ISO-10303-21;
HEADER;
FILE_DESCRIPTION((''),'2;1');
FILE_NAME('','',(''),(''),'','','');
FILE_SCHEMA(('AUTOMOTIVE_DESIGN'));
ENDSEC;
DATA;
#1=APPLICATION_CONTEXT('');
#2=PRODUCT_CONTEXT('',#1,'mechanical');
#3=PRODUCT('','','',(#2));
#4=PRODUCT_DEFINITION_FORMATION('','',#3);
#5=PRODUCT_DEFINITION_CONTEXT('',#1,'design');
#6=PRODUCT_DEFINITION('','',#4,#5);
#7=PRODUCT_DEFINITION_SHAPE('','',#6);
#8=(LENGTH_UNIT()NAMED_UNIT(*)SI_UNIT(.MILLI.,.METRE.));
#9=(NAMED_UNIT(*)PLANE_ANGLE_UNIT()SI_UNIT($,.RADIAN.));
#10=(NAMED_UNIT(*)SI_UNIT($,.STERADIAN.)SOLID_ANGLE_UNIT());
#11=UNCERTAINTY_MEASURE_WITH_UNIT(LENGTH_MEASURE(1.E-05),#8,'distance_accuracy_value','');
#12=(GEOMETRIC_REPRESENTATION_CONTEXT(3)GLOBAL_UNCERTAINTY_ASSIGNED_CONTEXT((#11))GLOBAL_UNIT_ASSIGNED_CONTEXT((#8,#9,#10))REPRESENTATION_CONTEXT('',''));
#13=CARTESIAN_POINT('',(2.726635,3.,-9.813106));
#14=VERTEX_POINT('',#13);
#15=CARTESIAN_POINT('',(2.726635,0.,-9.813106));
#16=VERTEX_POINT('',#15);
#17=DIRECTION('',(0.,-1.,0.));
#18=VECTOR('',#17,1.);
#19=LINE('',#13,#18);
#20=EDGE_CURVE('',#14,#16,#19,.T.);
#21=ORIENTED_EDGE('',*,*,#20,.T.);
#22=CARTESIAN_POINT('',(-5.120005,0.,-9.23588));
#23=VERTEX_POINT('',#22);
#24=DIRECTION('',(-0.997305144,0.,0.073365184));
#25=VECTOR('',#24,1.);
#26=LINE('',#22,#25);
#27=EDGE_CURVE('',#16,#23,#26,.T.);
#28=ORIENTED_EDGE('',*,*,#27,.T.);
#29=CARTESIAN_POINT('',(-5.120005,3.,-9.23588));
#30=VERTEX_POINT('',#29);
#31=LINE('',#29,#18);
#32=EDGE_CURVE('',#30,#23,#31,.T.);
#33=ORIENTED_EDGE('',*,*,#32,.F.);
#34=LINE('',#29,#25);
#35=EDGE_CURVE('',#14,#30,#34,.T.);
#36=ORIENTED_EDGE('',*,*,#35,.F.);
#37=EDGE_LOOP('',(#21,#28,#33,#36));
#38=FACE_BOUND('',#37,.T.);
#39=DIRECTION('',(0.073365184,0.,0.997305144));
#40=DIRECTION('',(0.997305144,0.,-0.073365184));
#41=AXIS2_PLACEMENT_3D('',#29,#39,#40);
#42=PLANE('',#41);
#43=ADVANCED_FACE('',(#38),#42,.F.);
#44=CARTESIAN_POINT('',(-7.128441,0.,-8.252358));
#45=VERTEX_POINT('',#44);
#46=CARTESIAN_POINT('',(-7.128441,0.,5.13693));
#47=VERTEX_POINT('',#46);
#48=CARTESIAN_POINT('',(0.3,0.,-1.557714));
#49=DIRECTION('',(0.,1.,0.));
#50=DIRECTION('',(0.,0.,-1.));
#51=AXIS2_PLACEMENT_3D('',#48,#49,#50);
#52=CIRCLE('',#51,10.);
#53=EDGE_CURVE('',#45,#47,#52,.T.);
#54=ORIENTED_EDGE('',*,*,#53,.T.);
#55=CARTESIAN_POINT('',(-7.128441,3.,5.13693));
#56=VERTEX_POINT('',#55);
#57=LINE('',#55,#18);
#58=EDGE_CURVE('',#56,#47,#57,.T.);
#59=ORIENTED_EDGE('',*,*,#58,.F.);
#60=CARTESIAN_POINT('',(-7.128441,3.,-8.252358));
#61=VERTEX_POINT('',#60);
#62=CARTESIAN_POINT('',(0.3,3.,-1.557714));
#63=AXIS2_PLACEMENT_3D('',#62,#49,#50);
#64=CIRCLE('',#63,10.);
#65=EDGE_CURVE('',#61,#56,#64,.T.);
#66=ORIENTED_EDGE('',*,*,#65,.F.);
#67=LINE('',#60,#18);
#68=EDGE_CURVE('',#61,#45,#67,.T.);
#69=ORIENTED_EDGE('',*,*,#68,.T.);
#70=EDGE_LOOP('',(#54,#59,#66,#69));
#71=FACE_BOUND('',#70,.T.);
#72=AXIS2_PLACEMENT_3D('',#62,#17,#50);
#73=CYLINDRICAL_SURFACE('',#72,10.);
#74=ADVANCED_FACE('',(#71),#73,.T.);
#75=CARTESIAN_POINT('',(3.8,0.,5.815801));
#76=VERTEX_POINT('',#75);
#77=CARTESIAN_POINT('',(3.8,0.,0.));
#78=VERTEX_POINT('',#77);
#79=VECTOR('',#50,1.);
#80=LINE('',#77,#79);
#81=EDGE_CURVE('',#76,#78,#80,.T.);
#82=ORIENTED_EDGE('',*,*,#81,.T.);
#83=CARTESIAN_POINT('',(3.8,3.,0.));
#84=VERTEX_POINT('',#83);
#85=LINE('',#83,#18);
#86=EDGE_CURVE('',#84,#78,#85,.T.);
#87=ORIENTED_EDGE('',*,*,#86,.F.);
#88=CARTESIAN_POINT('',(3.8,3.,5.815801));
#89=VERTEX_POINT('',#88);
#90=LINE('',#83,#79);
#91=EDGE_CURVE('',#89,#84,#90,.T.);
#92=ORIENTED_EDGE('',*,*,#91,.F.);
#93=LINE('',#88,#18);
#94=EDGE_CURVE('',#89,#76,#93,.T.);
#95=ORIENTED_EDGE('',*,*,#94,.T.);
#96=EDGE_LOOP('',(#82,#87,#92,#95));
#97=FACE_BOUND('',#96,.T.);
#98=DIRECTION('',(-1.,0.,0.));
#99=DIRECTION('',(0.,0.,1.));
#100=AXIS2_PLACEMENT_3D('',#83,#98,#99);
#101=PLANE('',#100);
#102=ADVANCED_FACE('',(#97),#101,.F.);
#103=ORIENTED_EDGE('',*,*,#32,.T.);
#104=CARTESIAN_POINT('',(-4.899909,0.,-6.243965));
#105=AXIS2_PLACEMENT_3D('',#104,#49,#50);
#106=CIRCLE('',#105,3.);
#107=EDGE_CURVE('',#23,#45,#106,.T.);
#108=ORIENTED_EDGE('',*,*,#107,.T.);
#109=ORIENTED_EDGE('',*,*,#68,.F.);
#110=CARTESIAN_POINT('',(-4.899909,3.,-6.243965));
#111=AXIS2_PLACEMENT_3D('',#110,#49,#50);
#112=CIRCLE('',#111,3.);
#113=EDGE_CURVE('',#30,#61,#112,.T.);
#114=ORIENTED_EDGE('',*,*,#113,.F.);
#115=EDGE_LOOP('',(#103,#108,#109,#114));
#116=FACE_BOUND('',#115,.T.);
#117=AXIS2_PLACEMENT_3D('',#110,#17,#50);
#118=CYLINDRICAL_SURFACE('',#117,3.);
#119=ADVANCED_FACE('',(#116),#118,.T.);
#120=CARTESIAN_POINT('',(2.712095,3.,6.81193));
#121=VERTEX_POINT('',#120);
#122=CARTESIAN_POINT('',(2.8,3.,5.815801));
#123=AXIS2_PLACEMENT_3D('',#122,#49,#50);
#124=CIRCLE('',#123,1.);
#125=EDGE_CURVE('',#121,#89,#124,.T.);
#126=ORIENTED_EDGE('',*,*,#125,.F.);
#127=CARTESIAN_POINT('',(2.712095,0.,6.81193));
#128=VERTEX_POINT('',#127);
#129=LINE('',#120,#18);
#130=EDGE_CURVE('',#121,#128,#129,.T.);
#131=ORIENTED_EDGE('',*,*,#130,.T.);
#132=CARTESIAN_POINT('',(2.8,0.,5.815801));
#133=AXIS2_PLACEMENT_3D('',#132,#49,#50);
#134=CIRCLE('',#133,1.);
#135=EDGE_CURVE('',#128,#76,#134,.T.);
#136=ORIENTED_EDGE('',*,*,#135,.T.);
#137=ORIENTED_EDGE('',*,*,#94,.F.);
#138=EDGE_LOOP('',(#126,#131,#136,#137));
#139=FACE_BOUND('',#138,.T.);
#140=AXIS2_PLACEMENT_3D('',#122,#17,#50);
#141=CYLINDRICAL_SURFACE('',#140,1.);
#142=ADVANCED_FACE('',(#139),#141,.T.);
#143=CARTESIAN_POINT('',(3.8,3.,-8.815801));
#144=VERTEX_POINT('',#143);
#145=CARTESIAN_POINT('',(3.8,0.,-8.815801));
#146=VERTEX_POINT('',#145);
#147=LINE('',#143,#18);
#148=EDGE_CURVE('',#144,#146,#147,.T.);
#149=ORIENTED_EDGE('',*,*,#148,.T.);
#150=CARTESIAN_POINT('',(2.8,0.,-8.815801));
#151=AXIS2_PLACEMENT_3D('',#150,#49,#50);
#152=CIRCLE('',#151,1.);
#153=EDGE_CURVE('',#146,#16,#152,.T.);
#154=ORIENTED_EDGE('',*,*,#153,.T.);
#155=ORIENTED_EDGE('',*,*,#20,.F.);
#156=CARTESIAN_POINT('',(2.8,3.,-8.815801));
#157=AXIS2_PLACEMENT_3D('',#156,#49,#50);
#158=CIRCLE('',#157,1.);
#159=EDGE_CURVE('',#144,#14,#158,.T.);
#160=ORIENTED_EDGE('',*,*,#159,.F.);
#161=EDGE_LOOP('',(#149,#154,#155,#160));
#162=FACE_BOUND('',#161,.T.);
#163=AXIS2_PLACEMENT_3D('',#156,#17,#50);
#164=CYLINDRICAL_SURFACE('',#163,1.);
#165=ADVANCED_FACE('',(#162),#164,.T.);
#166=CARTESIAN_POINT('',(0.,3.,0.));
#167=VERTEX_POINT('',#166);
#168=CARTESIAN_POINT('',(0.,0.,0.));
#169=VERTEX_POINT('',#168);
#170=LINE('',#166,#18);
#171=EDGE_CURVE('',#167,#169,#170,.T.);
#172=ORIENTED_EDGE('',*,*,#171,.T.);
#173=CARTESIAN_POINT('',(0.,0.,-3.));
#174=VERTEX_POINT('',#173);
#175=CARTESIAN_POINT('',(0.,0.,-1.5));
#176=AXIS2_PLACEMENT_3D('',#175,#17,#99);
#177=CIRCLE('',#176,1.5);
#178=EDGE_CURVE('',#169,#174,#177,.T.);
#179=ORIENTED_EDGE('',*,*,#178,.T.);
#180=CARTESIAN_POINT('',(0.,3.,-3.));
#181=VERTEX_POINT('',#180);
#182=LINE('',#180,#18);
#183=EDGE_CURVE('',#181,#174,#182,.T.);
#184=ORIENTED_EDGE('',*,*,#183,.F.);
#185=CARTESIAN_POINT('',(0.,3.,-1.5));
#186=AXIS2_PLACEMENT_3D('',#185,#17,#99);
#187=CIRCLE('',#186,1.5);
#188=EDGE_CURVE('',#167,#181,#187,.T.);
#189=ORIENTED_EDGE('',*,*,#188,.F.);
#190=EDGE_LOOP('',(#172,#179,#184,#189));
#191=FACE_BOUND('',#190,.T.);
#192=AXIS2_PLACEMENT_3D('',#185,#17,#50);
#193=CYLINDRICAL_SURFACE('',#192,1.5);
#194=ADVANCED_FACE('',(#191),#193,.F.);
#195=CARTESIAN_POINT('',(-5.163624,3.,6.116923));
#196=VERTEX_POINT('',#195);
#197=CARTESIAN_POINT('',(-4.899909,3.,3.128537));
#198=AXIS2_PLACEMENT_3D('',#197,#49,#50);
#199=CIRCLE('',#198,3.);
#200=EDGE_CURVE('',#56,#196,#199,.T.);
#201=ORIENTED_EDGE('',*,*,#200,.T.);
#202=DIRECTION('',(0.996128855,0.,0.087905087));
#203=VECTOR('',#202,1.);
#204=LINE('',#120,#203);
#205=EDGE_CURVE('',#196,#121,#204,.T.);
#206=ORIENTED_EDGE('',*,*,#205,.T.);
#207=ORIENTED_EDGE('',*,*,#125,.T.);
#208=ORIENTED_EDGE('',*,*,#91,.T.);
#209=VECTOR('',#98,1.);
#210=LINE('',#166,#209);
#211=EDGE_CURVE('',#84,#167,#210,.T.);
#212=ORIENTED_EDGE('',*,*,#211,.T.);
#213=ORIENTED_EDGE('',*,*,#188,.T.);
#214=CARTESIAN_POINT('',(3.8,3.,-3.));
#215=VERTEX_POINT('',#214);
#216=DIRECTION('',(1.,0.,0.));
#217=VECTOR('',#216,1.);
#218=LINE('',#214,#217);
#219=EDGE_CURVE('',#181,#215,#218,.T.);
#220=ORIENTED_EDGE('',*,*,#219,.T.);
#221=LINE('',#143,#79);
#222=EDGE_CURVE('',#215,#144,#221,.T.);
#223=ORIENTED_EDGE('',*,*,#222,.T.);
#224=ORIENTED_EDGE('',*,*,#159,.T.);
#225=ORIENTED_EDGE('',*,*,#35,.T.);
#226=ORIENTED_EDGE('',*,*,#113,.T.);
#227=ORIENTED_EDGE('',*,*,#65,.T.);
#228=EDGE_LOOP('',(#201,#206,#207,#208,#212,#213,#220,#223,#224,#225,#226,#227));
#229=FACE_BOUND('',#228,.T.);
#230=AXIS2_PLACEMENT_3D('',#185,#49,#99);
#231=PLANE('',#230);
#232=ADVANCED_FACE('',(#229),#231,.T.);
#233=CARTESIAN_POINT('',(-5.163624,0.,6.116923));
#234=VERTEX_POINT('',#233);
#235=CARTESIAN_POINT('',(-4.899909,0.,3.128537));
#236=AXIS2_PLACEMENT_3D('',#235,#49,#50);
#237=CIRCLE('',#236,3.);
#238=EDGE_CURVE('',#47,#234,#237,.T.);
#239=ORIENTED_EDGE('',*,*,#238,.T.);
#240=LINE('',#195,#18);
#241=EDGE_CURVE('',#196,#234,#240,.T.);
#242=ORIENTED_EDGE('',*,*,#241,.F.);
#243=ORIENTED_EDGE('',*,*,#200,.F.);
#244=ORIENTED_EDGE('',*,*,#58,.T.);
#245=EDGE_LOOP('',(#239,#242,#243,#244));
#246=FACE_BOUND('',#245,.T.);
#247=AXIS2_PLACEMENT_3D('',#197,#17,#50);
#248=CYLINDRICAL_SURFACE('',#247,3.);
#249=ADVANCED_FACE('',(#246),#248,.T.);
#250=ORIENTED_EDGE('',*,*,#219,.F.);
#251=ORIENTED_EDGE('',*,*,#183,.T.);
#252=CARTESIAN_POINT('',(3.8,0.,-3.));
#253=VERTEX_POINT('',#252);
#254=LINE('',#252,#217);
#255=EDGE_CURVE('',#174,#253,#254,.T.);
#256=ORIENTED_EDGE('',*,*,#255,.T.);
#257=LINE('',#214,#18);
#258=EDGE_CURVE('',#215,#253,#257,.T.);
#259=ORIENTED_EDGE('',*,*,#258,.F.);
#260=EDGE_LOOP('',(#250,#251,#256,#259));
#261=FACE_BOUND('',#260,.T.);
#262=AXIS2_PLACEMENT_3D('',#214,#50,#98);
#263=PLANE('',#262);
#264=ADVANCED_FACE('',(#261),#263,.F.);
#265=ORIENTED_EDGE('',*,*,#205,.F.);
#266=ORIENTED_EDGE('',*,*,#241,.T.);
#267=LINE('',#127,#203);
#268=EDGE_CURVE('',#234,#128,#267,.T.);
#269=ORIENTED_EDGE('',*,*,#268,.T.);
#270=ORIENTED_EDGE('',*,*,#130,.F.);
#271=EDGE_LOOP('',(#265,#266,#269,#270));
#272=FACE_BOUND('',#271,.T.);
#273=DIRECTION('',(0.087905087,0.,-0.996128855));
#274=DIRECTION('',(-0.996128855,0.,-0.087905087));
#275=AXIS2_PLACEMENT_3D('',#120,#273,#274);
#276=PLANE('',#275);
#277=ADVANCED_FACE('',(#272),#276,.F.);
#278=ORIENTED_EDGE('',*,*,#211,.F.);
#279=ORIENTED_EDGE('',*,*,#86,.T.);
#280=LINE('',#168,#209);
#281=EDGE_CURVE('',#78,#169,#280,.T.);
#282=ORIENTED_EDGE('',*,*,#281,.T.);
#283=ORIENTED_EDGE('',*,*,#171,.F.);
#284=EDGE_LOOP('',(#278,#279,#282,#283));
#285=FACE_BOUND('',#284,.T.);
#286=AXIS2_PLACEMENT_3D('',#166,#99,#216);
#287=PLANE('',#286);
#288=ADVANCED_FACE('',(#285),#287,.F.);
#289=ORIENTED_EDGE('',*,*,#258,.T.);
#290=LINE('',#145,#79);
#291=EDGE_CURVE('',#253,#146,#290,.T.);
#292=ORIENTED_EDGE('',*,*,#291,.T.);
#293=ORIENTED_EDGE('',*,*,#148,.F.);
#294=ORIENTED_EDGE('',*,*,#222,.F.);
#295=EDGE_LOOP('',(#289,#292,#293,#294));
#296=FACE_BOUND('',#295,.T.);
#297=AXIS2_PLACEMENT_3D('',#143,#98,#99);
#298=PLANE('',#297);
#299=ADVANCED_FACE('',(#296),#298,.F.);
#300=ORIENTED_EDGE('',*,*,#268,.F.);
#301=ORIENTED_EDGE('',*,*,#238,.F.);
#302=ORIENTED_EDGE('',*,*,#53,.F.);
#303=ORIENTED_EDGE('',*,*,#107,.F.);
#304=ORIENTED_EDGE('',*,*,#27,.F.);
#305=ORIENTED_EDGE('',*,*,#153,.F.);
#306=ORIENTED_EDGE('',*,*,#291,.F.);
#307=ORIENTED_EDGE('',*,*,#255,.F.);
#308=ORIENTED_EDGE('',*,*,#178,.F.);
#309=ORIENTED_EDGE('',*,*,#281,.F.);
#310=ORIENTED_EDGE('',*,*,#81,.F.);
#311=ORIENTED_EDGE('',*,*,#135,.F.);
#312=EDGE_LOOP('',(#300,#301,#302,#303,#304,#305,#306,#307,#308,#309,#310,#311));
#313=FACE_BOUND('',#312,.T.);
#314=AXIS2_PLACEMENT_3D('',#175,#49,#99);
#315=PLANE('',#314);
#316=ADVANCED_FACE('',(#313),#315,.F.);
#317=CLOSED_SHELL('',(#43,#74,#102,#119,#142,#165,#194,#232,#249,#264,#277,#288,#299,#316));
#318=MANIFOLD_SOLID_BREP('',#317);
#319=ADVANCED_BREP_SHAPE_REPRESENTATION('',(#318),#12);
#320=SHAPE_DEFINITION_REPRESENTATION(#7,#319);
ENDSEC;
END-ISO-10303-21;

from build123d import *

# Parameters (mm, degrees)
BOSS_EXTRUDE1_DEPTH = 3


with BuildPart() as part:
    # Sketch1 → Boss-Extrude1 (new body)
    with BuildSketch(Plane(origin=(0, 0, 0), x_dir=(1, 0, 0), z_dir=(0, 1, 0))):
        with BuildLine():
            Line((0, 0), (3.8, 0))
            Line((3.8, 0), (3.8, -5.815800771))
            ThreePointArc((3.8, -5.815800771), (3.475312858, -6.553332156), (2.712094913, -6.811929626))
            Line((2.712094913, -6.811929626), (-5.163624241, -6.116923376))
            ThreePointArc((-5.163624241, -6.116923376), (-6.238909118, -5.813137084), (-7.128441398, -5.136930013))
            ThreePointArc((-7.128441398, -5.136930013), (-9.7, 1.557713995), (-7.128441398, 8.252358003))
            ThreePointArc((-7.128441398, 8.252358003), (-6.219292824, 8.938259935), (-5.120004532, 9.235880232))
            Line((-5.120004532, 9.235880232), (2.726634816, 9.813105915))
            ThreePointArc((2.726634816, 9.813105915), (3.48067423, 9.548387007), (3.8, 8.815800771))
            Line((3.8, 8.815800771), (3.8, 3))
            Line((3.8, 3), (0, 3))
            ThreePointArc((0, 3), (-1.5, 1.5), (0, 0))
        make_face()
    extrude(amount=BOSS_EXTRUDE1_DEPTH)


solid = part.part
